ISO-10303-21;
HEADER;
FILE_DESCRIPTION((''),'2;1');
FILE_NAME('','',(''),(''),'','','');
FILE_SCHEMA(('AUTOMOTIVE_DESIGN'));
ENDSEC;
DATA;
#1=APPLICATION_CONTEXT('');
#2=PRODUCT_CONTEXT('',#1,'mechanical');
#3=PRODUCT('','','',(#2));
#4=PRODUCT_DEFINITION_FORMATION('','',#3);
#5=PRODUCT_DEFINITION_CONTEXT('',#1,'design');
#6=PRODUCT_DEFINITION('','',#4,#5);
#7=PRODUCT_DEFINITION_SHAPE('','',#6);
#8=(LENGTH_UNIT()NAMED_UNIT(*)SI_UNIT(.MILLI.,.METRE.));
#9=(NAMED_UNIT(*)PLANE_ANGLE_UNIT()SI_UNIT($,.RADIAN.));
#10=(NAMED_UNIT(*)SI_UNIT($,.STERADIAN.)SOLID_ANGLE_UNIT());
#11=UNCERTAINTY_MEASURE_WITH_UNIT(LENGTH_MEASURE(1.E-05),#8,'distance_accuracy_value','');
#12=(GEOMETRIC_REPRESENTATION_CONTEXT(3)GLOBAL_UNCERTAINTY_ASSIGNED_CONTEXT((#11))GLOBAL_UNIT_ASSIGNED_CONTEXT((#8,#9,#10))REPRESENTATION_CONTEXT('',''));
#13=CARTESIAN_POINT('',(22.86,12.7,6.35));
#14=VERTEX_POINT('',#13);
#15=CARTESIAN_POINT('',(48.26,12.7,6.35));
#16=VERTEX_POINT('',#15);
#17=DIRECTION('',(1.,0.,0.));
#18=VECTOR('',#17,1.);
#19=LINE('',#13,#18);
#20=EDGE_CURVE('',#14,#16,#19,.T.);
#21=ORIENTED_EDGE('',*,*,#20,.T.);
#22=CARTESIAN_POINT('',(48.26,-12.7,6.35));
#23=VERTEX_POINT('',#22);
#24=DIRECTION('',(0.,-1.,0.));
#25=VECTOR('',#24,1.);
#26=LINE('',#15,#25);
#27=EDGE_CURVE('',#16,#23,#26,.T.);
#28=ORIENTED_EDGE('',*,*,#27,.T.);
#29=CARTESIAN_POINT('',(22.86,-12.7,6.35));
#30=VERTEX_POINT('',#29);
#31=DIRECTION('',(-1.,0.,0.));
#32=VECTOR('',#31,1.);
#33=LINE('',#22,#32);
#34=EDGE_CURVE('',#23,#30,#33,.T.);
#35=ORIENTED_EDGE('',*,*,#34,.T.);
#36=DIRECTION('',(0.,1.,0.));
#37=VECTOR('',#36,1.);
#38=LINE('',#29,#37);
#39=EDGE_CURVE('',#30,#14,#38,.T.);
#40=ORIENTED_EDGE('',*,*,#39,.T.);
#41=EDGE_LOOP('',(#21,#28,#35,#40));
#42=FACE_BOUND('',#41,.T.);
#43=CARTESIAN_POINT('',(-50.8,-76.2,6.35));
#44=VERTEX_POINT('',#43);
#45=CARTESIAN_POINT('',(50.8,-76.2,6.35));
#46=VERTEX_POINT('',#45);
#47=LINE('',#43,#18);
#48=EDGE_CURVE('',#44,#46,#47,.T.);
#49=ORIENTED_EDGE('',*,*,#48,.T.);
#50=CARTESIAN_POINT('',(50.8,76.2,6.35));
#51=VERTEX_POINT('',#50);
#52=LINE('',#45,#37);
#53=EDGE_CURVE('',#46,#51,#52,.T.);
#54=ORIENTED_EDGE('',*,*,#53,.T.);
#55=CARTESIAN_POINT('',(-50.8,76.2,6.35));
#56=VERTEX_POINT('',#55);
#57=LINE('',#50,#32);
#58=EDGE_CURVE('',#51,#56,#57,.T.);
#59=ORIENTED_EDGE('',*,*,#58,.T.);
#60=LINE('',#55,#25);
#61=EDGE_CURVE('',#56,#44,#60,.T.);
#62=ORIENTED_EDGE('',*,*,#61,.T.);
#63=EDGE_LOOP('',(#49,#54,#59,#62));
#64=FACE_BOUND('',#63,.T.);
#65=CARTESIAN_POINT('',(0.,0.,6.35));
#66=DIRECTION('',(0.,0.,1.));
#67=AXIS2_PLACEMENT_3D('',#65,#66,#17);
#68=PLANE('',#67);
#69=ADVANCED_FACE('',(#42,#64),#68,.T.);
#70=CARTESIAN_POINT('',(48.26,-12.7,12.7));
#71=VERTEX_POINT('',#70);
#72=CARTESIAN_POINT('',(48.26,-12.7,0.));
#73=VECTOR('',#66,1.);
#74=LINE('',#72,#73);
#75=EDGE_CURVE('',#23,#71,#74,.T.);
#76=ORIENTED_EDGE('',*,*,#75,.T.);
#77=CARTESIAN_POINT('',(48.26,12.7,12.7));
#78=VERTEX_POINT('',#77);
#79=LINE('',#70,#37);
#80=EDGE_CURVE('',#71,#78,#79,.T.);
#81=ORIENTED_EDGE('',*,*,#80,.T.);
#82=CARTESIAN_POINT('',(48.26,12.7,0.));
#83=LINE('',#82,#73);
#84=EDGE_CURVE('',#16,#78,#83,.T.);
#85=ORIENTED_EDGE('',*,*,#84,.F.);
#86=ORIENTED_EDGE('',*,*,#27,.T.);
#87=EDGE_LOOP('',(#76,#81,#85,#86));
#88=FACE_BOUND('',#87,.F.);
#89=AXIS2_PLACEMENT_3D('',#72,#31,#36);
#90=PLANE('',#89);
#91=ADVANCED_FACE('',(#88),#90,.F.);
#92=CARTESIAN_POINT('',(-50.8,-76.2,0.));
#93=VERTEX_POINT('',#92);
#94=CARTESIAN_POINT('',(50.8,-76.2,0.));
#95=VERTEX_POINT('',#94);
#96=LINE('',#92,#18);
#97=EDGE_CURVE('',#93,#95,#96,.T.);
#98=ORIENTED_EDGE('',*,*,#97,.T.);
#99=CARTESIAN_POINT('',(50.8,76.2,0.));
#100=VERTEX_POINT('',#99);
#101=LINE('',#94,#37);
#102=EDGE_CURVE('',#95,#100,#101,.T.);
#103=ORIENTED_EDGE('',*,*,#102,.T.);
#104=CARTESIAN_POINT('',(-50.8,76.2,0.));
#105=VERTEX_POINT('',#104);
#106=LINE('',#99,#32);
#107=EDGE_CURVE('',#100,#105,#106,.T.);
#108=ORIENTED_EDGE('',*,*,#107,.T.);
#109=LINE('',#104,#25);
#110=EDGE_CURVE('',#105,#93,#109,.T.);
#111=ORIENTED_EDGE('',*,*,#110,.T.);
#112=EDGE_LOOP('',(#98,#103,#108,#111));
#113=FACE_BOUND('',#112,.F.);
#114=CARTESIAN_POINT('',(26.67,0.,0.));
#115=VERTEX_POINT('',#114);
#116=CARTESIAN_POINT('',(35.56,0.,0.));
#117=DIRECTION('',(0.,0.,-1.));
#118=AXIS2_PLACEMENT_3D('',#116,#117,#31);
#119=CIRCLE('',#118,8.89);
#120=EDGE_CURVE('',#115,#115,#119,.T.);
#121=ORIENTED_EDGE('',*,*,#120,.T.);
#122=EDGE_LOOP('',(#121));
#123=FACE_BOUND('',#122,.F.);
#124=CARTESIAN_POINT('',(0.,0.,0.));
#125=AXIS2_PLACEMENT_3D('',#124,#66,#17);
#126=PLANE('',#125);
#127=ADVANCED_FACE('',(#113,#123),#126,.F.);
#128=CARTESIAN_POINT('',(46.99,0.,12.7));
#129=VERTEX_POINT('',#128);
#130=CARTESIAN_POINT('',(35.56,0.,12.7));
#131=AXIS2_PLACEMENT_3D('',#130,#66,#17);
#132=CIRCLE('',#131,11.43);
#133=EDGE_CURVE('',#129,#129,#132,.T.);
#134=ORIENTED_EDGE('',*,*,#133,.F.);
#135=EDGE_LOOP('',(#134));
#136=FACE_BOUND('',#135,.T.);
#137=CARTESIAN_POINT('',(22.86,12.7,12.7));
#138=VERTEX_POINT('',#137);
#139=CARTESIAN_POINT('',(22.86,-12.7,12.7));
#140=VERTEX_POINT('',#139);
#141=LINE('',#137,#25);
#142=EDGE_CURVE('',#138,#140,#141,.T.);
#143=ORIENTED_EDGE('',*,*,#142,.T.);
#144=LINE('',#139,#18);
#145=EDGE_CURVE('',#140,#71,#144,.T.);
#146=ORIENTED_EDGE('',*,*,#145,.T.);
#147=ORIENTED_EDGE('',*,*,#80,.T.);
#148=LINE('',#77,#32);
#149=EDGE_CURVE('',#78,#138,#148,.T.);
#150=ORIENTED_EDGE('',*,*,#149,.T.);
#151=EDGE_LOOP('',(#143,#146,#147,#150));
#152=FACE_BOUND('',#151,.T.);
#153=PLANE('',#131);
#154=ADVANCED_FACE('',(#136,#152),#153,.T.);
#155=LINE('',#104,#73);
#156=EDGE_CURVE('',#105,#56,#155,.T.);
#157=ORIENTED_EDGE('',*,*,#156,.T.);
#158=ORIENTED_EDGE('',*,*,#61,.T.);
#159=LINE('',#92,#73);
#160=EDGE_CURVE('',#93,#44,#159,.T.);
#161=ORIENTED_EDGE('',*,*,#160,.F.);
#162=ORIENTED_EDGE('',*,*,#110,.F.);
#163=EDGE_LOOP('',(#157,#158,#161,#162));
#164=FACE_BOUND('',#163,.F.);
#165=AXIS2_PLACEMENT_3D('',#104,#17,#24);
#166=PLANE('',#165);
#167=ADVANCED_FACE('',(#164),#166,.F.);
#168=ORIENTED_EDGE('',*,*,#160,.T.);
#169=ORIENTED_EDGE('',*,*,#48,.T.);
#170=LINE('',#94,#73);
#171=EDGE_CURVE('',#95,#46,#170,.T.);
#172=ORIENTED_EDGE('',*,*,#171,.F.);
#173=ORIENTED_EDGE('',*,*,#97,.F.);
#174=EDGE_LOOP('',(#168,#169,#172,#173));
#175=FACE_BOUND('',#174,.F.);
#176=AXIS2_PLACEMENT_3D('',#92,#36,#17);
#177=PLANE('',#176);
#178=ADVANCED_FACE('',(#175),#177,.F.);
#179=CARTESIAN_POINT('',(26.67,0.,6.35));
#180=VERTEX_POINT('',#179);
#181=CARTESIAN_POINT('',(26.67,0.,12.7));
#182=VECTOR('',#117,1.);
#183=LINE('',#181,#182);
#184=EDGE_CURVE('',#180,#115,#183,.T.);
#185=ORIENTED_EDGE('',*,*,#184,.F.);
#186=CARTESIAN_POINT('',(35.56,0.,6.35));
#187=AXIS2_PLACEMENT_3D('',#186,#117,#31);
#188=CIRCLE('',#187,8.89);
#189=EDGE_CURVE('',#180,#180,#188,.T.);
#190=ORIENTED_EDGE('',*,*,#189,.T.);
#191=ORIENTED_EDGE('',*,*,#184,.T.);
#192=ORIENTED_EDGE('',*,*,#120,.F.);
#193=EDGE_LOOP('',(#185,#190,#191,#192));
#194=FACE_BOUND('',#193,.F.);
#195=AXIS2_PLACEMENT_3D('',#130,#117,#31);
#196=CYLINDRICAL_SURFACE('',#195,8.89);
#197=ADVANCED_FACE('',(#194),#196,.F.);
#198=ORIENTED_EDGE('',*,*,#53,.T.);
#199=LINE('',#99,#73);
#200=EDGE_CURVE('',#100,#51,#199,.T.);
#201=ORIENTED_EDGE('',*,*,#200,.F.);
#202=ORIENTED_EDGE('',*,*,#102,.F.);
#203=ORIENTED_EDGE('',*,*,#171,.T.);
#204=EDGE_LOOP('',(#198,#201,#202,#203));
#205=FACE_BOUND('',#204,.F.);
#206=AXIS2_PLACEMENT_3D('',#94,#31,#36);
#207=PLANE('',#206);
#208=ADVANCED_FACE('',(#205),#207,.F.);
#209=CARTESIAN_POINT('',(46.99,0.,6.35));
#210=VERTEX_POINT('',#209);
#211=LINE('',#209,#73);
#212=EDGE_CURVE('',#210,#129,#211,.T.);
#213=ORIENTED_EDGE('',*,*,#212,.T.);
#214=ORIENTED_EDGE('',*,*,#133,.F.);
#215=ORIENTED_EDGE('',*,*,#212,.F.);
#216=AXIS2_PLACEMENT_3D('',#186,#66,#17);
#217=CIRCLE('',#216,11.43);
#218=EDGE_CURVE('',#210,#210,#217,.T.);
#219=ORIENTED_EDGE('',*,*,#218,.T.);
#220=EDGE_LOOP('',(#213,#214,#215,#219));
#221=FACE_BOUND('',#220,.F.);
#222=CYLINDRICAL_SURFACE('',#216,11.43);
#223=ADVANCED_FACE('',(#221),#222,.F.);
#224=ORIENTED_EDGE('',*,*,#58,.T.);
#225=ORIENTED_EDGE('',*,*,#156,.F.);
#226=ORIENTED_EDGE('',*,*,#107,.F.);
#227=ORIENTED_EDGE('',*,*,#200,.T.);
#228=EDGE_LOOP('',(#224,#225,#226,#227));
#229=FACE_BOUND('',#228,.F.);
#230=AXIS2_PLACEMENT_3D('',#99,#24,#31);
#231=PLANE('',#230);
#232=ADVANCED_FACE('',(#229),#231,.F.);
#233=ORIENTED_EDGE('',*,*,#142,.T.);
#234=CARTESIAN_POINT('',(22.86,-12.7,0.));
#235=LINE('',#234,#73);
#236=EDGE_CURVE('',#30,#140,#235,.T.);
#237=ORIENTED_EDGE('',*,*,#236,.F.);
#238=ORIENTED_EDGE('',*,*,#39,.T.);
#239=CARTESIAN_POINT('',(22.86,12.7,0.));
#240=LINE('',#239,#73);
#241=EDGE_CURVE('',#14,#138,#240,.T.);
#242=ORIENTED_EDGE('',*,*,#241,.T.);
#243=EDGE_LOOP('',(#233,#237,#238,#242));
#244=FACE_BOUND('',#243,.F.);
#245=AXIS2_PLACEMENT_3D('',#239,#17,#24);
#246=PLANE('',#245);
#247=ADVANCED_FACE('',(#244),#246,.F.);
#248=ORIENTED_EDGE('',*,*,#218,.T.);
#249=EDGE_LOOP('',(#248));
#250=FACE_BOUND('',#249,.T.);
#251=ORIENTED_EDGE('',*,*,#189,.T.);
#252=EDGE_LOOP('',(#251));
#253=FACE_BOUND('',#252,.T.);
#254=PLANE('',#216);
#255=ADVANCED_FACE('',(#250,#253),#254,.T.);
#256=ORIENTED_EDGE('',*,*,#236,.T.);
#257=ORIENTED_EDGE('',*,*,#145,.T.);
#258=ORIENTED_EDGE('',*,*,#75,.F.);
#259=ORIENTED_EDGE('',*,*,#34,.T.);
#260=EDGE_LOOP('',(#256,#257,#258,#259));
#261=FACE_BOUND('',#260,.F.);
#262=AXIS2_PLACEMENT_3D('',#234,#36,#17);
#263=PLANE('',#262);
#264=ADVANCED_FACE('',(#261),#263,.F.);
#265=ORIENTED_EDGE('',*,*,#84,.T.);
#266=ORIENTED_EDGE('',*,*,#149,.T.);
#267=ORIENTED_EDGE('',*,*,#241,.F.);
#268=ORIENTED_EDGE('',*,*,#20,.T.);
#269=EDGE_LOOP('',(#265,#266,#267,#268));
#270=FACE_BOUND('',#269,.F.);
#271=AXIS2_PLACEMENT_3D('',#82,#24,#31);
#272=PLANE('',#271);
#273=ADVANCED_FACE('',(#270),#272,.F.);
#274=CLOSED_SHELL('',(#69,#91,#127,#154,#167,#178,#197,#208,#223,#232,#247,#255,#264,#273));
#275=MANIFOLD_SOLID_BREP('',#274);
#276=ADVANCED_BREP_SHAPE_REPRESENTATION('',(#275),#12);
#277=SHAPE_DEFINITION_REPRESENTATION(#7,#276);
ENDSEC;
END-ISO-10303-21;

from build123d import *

# Parameters (mm, degrees)
F1_DEPTH       = 6.35
F2_DEPTH       = 12.7
F4_D           = 17.78
F4_CBORE_D     = 22.86
F4_CBORE_DEPTH = 6.35


with BuildPart() as f1:
    # F0 (on Top) → F1 (new body)
    with BuildSketch(Plane.XY):
        Polygon((50.8, 76.2), (-50.8, 76.2), (-50.8, -76.2), (50.8, -76.2), (50.8, 0), align=None)
        Polygon((48.26, 12.7), (48.26, 0), (48.26, -12.7), (22.86, -12.7), (22.86, 12.7), align=None, mode=Mode.SUBTRACT)
    extrude(amount=F1_DEPTH)

    # F0 (on Top) → F2 (join)
    with BuildSketch(Plane.XY):
        Polygon((48.26, -12.7), (48.26, 0), (48.26, 12.7), (22.86, 12.7), (22.86, -12.7), align=None)
    extrude(amount=F2_DEPTH)

    # F4 (through all)
    with Locations(Plane.XY.offset(12.7)):
        with Locations((35.56, 0)):
            CounterBoreHole(F4_D / 2, F4_CBORE_D / 2, F4_CBORE_DEPTH)


solid = f1.part
